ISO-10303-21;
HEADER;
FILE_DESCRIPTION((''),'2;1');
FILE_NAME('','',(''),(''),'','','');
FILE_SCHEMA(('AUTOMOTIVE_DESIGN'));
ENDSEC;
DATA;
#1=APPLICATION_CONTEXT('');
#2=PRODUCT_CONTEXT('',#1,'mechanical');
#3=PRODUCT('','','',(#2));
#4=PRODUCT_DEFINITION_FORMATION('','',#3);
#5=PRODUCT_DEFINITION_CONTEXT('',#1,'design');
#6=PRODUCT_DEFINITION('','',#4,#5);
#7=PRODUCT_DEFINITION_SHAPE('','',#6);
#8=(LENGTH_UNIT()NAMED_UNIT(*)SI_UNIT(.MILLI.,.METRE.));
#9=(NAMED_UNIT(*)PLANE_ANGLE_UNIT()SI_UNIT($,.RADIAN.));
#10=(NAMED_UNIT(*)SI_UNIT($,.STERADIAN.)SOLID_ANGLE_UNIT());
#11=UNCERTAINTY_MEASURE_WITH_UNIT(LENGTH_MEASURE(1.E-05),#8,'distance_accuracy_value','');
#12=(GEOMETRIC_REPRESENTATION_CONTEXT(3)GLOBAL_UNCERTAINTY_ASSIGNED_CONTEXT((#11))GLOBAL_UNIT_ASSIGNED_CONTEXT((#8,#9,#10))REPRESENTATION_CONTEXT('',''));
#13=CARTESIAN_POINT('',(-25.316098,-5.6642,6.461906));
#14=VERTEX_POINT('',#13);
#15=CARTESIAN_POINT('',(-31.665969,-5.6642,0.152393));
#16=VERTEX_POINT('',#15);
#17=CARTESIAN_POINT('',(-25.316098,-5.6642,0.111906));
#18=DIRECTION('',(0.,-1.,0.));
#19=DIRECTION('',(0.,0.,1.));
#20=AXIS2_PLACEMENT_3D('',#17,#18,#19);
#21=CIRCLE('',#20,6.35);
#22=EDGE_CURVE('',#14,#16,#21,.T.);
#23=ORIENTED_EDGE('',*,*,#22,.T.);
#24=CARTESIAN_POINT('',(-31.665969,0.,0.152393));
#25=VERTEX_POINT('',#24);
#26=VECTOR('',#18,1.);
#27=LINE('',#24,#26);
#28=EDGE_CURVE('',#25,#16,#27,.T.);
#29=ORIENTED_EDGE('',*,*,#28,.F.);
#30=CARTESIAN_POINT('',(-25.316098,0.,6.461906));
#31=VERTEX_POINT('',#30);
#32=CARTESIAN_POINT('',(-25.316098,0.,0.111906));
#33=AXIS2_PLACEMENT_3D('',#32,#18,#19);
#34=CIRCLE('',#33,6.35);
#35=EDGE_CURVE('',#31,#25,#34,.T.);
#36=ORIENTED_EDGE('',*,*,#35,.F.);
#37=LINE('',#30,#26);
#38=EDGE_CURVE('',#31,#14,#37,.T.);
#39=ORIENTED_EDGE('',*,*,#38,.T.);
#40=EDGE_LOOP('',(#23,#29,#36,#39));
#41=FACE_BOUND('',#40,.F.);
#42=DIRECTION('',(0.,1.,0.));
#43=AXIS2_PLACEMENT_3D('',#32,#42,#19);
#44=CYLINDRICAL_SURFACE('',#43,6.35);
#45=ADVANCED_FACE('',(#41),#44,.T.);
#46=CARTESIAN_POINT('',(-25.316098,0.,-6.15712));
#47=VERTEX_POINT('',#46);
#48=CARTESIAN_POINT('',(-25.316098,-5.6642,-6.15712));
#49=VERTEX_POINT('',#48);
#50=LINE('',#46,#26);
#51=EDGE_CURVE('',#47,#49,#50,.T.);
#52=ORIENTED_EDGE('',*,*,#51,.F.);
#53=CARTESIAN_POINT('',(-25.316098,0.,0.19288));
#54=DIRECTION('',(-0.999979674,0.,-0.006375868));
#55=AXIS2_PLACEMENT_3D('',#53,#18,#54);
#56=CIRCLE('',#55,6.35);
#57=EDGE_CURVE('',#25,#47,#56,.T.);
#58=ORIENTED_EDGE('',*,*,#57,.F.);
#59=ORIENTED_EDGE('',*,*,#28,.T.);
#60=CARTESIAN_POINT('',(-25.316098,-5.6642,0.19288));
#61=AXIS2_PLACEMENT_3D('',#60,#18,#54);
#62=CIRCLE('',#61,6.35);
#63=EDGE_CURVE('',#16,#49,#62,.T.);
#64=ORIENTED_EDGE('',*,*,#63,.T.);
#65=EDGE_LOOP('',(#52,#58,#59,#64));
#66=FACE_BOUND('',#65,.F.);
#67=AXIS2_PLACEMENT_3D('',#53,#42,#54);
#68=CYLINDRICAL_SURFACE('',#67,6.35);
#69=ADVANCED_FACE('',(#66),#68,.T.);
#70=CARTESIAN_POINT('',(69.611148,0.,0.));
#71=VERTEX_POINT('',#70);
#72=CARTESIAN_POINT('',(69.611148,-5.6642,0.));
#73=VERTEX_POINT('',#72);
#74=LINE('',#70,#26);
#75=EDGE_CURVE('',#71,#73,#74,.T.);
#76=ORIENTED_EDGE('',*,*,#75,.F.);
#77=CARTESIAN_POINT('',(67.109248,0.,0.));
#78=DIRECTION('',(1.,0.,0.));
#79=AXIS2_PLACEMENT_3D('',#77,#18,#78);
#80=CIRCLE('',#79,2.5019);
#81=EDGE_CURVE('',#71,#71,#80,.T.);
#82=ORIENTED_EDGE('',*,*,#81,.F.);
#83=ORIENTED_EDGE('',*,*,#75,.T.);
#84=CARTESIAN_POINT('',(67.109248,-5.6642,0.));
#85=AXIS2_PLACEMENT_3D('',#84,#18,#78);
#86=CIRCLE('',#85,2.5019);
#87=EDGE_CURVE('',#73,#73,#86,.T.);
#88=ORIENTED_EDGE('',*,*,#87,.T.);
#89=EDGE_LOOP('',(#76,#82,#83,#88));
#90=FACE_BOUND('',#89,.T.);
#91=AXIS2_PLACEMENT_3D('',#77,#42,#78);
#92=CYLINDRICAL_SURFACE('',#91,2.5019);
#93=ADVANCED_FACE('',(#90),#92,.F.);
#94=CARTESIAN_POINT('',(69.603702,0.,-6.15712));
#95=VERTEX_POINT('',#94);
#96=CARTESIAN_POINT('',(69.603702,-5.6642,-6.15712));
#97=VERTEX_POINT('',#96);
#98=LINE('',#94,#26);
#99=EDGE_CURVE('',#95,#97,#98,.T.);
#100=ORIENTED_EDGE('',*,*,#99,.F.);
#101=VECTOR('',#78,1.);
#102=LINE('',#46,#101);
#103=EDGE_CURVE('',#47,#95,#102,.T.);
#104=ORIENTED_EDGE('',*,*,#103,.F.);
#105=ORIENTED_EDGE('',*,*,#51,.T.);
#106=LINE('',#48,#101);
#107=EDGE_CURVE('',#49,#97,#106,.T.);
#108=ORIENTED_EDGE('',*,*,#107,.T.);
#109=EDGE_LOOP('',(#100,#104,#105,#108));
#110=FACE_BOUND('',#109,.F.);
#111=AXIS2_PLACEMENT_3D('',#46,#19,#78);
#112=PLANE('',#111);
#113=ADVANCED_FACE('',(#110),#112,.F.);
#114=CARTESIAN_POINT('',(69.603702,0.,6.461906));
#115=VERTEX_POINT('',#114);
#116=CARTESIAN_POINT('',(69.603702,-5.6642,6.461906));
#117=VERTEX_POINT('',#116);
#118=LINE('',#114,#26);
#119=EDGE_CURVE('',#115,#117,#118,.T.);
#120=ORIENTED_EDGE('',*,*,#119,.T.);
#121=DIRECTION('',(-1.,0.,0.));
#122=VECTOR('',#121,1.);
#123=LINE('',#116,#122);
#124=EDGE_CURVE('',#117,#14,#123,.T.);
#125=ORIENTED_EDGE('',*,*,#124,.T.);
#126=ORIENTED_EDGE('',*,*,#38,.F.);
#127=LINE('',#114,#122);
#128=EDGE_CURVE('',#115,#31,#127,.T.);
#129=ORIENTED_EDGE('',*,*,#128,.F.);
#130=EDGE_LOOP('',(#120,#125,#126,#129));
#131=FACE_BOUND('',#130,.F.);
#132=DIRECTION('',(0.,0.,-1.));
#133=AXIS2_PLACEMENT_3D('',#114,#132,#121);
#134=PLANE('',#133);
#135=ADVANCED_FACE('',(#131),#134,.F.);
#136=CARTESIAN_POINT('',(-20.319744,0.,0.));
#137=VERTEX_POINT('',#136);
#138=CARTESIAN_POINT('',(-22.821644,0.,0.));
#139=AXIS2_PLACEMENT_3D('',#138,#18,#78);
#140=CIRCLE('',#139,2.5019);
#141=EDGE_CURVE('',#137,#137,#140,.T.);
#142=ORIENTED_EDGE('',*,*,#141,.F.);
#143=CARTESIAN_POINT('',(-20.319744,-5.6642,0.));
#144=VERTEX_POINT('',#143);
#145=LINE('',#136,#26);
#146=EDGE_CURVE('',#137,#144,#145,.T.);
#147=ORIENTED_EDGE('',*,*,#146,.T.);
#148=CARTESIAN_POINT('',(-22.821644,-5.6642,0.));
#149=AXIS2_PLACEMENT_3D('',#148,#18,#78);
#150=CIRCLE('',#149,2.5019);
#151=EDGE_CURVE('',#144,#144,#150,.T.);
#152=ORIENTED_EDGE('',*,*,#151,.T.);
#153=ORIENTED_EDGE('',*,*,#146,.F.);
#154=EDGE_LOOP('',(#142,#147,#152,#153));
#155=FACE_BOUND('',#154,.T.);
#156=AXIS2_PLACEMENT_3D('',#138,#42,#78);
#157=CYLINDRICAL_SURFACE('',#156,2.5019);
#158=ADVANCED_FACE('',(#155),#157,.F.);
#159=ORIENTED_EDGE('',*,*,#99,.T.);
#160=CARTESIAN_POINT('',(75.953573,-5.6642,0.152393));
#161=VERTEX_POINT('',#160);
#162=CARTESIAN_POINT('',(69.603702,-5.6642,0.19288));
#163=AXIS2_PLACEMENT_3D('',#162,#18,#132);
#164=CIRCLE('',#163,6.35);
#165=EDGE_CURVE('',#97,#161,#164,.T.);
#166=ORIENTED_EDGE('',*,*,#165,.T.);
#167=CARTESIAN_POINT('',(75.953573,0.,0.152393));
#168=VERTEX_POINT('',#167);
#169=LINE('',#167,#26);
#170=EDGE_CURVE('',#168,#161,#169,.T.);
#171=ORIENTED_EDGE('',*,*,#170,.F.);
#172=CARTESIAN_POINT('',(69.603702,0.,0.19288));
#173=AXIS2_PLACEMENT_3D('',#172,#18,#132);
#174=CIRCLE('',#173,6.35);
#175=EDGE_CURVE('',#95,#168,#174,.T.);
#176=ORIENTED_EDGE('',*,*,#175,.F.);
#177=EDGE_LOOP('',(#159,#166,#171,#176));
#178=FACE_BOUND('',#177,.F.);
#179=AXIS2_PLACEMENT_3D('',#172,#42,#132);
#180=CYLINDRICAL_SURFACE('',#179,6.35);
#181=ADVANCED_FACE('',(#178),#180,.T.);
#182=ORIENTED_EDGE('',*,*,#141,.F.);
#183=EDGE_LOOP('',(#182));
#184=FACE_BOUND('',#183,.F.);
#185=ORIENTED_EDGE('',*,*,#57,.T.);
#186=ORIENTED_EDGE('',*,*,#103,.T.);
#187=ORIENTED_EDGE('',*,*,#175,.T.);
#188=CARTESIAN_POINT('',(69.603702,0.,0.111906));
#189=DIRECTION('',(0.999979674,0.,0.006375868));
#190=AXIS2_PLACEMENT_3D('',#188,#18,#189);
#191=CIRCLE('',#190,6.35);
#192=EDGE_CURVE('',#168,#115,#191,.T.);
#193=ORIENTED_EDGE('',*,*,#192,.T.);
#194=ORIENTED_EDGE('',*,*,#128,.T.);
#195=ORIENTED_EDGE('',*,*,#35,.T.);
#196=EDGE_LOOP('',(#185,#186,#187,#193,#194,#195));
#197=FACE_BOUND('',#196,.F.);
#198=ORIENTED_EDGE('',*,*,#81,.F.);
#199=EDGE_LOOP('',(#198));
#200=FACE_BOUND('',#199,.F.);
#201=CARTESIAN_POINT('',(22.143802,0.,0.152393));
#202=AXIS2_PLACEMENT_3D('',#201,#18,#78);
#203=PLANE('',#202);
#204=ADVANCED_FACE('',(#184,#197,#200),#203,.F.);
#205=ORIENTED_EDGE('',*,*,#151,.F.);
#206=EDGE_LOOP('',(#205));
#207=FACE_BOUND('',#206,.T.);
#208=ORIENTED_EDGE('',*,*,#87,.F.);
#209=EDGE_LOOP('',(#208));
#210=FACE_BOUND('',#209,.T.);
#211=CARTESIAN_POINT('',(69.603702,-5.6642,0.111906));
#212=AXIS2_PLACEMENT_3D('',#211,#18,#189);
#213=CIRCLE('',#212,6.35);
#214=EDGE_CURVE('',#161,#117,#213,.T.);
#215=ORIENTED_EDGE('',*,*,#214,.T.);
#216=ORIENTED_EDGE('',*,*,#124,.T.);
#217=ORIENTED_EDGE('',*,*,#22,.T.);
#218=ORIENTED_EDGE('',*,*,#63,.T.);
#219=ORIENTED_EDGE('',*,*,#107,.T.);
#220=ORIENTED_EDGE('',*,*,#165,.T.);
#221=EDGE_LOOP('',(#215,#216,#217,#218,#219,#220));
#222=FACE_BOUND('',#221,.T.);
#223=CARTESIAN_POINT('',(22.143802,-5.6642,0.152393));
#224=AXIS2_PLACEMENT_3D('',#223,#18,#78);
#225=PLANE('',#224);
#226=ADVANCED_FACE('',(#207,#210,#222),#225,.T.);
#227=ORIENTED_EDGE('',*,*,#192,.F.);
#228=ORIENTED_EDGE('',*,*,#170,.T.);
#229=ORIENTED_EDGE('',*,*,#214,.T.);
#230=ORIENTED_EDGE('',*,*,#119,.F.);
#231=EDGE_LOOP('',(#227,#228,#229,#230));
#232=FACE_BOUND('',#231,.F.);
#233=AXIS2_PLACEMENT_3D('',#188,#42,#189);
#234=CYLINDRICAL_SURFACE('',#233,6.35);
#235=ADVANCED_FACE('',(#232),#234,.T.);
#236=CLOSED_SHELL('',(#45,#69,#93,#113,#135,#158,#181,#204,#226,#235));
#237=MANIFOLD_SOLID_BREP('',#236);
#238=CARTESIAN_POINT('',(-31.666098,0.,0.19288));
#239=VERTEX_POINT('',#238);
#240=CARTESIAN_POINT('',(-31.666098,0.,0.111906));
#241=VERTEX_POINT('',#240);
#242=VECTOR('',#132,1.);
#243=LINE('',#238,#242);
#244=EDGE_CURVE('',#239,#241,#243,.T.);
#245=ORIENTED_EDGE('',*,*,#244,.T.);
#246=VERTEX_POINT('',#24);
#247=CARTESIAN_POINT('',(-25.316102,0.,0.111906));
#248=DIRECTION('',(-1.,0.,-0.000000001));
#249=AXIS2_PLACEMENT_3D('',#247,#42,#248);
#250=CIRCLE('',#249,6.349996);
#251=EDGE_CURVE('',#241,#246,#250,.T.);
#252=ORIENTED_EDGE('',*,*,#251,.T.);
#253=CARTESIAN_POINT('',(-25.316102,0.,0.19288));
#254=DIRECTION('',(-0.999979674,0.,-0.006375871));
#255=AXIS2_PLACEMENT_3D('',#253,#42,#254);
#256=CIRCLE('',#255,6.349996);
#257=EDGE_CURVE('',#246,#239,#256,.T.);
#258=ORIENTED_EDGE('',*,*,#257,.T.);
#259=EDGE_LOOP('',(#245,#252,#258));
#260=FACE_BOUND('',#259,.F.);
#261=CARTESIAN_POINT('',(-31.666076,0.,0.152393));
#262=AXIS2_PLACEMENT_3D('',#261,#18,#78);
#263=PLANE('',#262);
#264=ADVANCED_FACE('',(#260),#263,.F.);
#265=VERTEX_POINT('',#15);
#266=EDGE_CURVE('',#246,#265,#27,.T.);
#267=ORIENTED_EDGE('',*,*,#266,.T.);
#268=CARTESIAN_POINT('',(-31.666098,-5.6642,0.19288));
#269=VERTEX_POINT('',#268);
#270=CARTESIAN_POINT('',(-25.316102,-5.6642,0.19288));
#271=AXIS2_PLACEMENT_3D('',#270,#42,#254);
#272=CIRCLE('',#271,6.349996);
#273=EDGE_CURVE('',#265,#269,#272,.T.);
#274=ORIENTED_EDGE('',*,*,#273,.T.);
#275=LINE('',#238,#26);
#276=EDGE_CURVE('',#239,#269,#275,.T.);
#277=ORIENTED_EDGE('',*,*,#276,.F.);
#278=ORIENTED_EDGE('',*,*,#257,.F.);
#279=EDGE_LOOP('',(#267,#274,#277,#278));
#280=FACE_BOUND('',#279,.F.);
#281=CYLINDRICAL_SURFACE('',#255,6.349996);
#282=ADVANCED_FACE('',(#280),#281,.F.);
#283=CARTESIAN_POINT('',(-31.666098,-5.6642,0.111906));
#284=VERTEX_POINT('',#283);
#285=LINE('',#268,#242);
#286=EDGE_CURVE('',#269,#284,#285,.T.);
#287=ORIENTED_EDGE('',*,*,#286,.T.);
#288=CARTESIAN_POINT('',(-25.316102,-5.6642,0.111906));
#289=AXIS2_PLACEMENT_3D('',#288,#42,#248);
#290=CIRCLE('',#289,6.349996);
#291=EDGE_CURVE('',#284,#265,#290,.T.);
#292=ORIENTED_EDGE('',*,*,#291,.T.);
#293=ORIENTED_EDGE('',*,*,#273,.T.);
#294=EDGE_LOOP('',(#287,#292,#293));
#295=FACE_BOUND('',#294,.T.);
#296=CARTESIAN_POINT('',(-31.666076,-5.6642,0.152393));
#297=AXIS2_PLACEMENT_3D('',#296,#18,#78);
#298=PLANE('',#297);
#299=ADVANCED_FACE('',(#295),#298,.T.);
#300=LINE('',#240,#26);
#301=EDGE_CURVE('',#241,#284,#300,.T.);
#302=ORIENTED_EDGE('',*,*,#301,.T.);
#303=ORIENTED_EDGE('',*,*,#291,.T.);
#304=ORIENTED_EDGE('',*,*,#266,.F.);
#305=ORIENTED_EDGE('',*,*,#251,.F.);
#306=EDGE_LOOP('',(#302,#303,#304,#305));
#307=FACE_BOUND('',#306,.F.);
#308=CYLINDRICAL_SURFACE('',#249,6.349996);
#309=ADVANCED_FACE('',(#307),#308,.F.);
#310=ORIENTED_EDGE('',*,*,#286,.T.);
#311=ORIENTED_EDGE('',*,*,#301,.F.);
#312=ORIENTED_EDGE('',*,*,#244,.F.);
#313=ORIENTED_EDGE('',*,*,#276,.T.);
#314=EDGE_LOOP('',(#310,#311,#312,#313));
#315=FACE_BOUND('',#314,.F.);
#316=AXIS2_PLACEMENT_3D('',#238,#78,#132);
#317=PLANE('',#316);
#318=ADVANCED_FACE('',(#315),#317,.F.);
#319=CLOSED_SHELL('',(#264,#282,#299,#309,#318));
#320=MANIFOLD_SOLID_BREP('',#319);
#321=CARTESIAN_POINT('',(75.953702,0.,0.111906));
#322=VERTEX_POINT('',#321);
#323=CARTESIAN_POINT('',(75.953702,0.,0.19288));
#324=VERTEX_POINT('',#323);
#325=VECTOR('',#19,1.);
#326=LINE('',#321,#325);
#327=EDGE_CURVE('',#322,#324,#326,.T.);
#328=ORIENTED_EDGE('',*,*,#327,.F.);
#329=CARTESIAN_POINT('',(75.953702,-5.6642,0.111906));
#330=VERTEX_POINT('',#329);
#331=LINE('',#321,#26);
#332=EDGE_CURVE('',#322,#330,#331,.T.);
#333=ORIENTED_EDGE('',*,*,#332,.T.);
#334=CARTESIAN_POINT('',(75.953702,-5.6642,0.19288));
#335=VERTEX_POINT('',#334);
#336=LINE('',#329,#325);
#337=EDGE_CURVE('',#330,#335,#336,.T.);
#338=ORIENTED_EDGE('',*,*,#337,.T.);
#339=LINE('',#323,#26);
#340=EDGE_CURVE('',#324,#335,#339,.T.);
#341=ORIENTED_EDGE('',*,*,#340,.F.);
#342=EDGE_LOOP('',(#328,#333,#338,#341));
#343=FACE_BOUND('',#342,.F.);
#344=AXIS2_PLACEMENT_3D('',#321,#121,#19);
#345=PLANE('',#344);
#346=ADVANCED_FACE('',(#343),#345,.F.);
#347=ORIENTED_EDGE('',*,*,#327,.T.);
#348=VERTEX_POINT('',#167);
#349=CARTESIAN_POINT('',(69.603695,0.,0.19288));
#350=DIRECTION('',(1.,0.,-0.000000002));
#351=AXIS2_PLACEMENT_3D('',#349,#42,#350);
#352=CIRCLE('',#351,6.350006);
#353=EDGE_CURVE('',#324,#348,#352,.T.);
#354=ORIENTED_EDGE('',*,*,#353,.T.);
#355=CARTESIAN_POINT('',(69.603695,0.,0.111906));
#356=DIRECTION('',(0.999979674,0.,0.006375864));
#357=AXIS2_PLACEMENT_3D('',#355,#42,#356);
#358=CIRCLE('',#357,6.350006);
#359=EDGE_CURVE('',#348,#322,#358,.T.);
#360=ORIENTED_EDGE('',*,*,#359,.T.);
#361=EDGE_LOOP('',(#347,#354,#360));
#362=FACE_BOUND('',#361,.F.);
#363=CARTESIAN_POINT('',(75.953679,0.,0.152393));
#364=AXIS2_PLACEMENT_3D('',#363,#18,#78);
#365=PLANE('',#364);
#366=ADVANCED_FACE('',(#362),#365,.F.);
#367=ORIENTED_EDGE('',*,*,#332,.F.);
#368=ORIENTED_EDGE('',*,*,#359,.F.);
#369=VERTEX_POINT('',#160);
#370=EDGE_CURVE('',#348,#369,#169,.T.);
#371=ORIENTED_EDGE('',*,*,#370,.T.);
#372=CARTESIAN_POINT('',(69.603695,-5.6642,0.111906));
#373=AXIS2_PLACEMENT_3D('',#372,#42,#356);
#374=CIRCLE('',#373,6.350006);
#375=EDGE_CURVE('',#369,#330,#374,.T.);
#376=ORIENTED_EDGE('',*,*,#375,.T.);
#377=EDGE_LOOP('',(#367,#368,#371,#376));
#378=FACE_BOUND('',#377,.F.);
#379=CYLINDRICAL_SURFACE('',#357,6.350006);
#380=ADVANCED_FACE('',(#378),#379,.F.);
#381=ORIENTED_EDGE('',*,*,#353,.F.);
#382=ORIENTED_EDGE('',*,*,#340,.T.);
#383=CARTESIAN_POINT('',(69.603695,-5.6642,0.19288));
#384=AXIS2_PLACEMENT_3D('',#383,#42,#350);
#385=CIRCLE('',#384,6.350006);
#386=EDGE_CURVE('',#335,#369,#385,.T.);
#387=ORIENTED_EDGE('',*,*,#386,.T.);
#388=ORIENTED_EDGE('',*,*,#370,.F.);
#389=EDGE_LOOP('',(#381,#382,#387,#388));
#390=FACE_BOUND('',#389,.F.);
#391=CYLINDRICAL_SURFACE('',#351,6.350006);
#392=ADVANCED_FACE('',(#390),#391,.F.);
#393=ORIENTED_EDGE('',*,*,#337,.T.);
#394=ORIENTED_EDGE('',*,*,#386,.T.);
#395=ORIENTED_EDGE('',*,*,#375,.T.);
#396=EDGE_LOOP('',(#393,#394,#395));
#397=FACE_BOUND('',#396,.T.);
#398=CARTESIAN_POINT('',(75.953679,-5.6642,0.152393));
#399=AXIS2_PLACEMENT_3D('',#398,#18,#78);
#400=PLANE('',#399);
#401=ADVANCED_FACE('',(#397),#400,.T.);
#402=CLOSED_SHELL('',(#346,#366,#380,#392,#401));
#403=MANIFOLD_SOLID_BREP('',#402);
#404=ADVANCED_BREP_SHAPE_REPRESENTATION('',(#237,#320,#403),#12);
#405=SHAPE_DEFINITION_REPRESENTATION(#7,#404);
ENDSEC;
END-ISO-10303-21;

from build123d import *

# Parameters (mm, degrees)
F1_DEPTH = 5.6642
F0_R     = 2.5019


with BuildPart() as f1:
    # F0 (on Front) → F1 (new body)
    with BuildSketch(Plane.XZ):
        with BuildLine():
            ThreePointArc((75.9537016329, 0.1928798135), (75.9536693652, 0.1726363284), (75.9535725625, 0.152393049))
            ThreePointArc((75.9535725625, 0.152393049), (75.9536693652, 0.1321497696), (75.9537016329, 0.1119062845))
            Line((75.9537016329, 0.1119062845), (75.9537016329, 0.1928798135))
        make_face()
    extrude(amount=F1_DEPTH)


with BuildPart() as f1b:
    # F0 (on Front) → F1, piece 2 (new body)
    with BuildSketch(Plane.XZ):
        with BuildLine():
            ThreePointArc((-31.6660983671, 0.1119062845), (-31.6660660994, 0.1321497696), (-31.6659692966, 0.152393049))
            ThreePointArc((-31.6659692966, 0.152393049), (-31.6660660994, 0.1726363284), (-31.6660983671, 0.1928798135))
            Line((-31.6660983671, 0.1928798135), (-31.6660983671, 0.1119062845))
        make_face()
    extrude(amount=F1_DEPTH)


with BuildPart() as f1c:
    # F0 (on Front) → F1, piece 3 (new body)
    with BuildSketch(Plane.XZ):
        with BuildLine():
            Line((69.6037016329, 6.4619062845), (-25.3160983671, 6.4619062845))
            ThreePointArc((-25.3160983671, 6.4619062845), (-29.7918893053, 4.6163258339), (-31.6659692966, 0.152393049))
            ThreePointArc((-31.6659692966, 0.152393049), (-29.7918893053, -4.3115397359), (-25.3160983671, -6.1571201865))
            Line((-25.3160983671, -6.1571201865), (69.6037016329, -6.1571201865))
            ThreePointArc((69.6037016329, -6.1571201865), (74.0794925711, -4.3115397359), (75.9535725625, 0.152393049))
            ThreePointArc((75.9535725625, 0.152393049), (74.0794925711, 4.6163258339), (69.6037016329, 6.4619062845))
        make_face()
        with Locations((-22.8216443211, 0)):
            Circle(F0_R, mode=Mode.SUBTRACT)
        with Locations((67.1092475869, 0)):
            Circle(F0_R, mode=Mode.SUBTRACT)
    extrude(amount=F1_DEPTH)


solid = Compound([f1.part, f1b.part, f1c.part])
